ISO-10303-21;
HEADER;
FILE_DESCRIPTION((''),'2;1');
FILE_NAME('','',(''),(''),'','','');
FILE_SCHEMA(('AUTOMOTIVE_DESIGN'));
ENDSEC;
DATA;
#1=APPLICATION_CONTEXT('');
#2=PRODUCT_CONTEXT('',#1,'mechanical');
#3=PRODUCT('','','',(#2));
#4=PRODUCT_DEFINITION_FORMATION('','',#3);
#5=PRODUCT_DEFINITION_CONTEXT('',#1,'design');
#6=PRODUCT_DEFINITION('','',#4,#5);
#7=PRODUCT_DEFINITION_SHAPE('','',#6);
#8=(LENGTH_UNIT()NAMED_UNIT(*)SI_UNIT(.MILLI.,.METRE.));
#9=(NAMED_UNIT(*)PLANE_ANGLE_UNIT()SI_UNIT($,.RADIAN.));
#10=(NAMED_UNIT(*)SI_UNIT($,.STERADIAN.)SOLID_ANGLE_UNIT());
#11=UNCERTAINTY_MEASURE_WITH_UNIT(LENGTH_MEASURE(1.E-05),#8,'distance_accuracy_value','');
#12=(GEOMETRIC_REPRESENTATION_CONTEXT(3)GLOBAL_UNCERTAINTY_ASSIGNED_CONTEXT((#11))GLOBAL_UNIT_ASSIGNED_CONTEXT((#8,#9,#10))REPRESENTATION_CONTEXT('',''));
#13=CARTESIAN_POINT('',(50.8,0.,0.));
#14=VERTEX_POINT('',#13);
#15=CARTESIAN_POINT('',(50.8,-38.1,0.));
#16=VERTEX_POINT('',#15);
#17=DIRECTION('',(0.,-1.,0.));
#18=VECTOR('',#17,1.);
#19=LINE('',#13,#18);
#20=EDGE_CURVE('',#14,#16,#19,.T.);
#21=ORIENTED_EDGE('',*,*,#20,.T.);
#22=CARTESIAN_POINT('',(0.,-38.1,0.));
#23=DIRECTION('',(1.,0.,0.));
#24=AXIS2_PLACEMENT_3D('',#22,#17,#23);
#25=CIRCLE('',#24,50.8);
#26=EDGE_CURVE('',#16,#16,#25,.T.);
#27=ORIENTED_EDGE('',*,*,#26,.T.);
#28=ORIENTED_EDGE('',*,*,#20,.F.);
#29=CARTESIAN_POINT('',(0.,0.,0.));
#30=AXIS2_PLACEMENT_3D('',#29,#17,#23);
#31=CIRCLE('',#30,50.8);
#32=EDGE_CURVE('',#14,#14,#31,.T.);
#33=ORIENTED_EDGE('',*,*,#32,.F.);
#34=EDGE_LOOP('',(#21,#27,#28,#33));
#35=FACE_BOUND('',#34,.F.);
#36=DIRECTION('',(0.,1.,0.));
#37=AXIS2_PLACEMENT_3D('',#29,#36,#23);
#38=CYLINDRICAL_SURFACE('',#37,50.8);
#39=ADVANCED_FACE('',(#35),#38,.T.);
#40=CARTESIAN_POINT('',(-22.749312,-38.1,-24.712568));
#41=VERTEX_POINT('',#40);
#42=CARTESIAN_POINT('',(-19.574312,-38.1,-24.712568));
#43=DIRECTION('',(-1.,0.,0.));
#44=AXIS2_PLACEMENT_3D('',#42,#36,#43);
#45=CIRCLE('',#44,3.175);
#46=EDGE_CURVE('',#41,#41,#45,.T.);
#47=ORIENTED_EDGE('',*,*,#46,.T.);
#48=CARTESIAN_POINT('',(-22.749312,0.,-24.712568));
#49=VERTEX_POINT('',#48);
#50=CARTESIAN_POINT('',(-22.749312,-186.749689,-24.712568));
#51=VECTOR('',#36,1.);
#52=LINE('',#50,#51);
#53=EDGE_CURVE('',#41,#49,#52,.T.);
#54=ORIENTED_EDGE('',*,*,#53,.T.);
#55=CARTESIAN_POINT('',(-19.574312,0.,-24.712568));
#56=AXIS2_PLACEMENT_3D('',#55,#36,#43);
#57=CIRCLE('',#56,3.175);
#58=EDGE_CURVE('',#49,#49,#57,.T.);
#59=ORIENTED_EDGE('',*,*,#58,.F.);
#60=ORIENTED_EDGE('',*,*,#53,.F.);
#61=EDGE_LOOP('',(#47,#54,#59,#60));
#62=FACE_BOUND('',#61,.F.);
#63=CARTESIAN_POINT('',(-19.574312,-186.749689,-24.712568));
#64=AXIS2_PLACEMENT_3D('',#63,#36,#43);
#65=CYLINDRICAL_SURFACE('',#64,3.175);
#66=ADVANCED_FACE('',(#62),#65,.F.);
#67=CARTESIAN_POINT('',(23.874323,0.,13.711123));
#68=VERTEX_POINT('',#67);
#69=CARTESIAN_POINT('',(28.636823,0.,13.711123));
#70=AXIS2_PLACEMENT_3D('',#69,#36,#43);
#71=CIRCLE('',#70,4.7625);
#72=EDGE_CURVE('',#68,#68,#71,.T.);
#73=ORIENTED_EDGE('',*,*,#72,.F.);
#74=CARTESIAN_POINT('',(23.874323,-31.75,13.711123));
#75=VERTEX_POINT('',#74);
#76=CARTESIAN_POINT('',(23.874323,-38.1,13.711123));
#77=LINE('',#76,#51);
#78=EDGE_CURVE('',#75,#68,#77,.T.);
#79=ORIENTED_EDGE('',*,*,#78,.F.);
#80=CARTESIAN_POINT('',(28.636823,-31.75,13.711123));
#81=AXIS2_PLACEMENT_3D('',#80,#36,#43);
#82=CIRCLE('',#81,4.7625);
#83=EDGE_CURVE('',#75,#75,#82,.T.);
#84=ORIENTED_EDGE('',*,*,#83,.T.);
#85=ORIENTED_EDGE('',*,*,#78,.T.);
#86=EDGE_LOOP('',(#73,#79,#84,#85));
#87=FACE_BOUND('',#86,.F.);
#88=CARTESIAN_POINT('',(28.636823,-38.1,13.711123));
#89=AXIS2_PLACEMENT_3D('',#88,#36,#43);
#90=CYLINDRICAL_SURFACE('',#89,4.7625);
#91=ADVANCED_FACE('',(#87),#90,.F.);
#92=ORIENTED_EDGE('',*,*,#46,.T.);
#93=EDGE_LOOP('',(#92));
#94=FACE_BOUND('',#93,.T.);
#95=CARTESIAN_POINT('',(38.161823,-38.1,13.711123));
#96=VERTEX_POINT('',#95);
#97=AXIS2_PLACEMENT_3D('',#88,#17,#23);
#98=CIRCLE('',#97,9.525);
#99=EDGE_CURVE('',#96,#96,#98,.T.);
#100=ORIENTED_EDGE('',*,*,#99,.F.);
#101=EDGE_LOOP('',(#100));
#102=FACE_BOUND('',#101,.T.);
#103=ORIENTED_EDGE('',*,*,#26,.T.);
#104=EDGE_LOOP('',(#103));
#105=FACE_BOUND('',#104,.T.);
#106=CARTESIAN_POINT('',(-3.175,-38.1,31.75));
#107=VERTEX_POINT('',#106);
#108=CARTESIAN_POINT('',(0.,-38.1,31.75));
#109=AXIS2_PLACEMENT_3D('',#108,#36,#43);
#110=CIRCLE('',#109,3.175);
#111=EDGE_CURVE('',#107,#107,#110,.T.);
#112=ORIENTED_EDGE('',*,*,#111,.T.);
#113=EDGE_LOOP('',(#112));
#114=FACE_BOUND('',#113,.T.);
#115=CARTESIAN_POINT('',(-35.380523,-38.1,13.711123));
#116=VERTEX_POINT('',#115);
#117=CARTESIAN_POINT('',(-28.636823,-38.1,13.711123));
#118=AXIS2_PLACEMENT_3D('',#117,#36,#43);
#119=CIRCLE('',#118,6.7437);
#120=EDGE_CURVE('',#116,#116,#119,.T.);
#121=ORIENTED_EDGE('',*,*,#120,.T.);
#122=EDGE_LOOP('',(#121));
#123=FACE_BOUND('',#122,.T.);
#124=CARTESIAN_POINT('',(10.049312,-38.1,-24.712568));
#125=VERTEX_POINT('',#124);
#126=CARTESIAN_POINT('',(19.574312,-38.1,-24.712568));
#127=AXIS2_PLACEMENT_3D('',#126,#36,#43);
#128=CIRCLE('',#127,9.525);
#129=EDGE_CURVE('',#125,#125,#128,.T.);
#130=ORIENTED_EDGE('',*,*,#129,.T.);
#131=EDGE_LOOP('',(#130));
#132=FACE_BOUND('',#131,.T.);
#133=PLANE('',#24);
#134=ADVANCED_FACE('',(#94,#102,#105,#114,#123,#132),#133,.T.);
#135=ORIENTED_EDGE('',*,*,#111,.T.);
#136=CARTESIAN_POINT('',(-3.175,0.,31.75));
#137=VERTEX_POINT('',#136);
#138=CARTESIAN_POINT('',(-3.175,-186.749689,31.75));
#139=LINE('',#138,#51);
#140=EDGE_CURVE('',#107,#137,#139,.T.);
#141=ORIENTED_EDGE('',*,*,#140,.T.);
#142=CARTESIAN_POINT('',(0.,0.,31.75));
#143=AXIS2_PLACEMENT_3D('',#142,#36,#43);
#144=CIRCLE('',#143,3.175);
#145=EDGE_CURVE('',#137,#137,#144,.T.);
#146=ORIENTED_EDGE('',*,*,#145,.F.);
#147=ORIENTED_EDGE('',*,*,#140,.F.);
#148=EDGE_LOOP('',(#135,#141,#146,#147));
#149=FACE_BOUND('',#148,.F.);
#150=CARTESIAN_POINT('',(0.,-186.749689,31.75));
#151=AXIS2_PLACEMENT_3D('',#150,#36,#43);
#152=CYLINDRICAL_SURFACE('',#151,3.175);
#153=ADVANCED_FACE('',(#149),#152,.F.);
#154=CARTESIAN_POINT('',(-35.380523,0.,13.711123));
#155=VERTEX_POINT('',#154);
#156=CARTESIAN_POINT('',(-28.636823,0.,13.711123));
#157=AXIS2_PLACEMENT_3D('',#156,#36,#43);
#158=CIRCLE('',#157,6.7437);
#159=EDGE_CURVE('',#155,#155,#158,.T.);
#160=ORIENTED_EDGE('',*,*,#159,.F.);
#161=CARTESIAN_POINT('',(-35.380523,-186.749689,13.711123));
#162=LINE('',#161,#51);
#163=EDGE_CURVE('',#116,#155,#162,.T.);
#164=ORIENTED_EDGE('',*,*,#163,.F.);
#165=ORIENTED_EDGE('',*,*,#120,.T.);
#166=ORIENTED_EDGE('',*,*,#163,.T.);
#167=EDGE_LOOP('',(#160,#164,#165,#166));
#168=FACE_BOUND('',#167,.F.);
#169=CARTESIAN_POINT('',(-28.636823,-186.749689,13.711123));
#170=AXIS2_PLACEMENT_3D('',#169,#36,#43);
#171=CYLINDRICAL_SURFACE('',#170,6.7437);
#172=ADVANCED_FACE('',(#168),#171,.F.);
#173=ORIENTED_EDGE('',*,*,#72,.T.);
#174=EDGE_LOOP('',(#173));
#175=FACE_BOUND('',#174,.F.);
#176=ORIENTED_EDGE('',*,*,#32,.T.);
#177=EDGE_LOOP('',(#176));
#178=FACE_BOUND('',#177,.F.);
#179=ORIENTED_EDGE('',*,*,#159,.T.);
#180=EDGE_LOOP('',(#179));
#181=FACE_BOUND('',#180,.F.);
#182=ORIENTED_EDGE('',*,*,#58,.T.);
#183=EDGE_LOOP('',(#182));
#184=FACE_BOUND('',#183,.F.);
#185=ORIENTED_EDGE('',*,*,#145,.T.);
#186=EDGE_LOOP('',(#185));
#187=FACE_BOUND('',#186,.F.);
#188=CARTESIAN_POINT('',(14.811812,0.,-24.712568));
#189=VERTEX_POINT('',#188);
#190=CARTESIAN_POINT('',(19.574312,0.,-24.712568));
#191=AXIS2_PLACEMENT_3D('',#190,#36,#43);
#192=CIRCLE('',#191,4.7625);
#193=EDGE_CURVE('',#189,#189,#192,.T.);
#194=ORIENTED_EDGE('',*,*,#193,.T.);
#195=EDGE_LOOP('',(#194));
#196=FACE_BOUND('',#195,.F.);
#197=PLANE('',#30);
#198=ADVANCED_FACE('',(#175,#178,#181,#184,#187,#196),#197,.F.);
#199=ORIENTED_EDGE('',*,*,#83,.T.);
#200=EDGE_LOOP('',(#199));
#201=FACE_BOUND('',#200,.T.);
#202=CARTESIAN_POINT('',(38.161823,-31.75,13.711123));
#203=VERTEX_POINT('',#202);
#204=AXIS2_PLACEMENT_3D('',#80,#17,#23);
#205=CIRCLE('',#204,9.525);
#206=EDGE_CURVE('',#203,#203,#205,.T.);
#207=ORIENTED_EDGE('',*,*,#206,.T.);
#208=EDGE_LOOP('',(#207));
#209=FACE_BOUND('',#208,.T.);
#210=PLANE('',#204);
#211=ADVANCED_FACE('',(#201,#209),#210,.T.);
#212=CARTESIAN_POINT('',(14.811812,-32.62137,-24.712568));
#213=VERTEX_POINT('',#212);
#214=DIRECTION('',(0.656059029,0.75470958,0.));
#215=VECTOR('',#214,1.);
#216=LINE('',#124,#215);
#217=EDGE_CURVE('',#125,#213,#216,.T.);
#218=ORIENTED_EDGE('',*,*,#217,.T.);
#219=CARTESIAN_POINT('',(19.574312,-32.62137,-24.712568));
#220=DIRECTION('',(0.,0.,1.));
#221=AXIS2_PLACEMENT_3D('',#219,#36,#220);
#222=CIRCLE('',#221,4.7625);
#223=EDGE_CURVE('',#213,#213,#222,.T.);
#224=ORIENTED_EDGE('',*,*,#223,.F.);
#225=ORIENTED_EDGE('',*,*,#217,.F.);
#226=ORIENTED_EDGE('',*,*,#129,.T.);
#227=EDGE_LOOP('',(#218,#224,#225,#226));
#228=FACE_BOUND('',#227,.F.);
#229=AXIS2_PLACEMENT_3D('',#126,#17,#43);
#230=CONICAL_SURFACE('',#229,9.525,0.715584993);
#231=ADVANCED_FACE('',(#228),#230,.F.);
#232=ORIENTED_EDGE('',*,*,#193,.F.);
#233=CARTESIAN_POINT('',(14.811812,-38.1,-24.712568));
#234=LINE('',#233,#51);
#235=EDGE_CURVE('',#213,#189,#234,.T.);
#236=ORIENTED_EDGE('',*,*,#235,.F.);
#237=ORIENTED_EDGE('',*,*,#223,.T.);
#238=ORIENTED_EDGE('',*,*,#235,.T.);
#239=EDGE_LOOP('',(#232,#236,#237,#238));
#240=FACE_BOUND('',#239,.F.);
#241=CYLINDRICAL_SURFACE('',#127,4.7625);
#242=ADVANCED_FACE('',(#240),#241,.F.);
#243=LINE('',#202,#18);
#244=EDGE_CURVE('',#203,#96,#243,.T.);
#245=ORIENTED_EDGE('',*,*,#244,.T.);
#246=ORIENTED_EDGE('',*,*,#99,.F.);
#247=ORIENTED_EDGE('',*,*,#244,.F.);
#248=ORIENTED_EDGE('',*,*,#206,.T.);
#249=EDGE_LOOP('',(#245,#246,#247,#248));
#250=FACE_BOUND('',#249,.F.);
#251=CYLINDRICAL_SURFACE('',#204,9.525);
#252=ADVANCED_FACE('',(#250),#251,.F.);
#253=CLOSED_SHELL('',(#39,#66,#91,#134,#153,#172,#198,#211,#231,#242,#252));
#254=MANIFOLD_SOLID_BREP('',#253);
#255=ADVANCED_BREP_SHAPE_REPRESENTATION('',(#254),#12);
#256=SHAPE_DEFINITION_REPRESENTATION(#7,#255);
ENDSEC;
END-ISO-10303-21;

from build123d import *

# Parameters (mm, degrees)
F0_R           = 50.8
F1_DEPTH       = 38.1
F3_D           = 6.35
F4_D           = 9.525
F4_CBORE_D     = 19.05
F4_CBORE_DEPTH = 6.35
F5_D           = 9.525
F5_CSINK_D     = 19.05
F5_CSINK_ANGLE = 82
F6_D           = 6.35
F7_D           = 13.4874


with BuildPart() as f1:
    # F0 (on Front) → F1 (new body)
    with BuildSketch(Plane.XZ):
        Circle(F0_R)
        with BuildLine():
            ThreePointArc((0, 31.75), (22.45064, 22.45064), (31.75, 0))
            ThreePointArc((31.75, 0), (-22.45064, -22.45064), (0, 31.75))
        make_face(mode=Mode.SUBTRACT)
        with BuildLine():
            ThreePointArc((0, 31.75), (-22.45064, -22.45064), (31.75, 0))
            ThreePointArc((31.75, 0), (22.45064, 22.45064), (0, 31.75))
        make_face()
    extrude(amount=F1_DEPTH)

    # F3 (through all)
    with Locations(Plane.XZ.offset(38.1)):
        with Locations((0, 31.75)):
            Hole(F3_D / 2)

    # F4 (through all)
    with Locations(Plane.XZ.offset(38.1)):
        with Locations((28.636823, 13.711123)):
            CounterBoreHole(F4_D / 2, F4_CBORE_D / 2, F4_CBORE_DEPTH)

    # F5 (through all)
    with Locations(Plane.XZ.offset(38.1)):
        with Locations((19.574312, -24.712568)):
            CounterSinkHole(F5_D / 2, F5_CSINK_D / 2, counter_sink_angle=F5_CSINK_ANGLE)

    # F6 (through all)
    with Locations(Plane.XZ.offset(38.1)):
        with Locations((-19.574312, -24.712568)):
            Hole(F6_D / 2)

    # F7 (through all)
    with Locations(Plane.XZ.offset(38.1)):
        with Locations((-28.636823, 13.711123)):
            Hole(F7_D / 2)


solid = f1.part
